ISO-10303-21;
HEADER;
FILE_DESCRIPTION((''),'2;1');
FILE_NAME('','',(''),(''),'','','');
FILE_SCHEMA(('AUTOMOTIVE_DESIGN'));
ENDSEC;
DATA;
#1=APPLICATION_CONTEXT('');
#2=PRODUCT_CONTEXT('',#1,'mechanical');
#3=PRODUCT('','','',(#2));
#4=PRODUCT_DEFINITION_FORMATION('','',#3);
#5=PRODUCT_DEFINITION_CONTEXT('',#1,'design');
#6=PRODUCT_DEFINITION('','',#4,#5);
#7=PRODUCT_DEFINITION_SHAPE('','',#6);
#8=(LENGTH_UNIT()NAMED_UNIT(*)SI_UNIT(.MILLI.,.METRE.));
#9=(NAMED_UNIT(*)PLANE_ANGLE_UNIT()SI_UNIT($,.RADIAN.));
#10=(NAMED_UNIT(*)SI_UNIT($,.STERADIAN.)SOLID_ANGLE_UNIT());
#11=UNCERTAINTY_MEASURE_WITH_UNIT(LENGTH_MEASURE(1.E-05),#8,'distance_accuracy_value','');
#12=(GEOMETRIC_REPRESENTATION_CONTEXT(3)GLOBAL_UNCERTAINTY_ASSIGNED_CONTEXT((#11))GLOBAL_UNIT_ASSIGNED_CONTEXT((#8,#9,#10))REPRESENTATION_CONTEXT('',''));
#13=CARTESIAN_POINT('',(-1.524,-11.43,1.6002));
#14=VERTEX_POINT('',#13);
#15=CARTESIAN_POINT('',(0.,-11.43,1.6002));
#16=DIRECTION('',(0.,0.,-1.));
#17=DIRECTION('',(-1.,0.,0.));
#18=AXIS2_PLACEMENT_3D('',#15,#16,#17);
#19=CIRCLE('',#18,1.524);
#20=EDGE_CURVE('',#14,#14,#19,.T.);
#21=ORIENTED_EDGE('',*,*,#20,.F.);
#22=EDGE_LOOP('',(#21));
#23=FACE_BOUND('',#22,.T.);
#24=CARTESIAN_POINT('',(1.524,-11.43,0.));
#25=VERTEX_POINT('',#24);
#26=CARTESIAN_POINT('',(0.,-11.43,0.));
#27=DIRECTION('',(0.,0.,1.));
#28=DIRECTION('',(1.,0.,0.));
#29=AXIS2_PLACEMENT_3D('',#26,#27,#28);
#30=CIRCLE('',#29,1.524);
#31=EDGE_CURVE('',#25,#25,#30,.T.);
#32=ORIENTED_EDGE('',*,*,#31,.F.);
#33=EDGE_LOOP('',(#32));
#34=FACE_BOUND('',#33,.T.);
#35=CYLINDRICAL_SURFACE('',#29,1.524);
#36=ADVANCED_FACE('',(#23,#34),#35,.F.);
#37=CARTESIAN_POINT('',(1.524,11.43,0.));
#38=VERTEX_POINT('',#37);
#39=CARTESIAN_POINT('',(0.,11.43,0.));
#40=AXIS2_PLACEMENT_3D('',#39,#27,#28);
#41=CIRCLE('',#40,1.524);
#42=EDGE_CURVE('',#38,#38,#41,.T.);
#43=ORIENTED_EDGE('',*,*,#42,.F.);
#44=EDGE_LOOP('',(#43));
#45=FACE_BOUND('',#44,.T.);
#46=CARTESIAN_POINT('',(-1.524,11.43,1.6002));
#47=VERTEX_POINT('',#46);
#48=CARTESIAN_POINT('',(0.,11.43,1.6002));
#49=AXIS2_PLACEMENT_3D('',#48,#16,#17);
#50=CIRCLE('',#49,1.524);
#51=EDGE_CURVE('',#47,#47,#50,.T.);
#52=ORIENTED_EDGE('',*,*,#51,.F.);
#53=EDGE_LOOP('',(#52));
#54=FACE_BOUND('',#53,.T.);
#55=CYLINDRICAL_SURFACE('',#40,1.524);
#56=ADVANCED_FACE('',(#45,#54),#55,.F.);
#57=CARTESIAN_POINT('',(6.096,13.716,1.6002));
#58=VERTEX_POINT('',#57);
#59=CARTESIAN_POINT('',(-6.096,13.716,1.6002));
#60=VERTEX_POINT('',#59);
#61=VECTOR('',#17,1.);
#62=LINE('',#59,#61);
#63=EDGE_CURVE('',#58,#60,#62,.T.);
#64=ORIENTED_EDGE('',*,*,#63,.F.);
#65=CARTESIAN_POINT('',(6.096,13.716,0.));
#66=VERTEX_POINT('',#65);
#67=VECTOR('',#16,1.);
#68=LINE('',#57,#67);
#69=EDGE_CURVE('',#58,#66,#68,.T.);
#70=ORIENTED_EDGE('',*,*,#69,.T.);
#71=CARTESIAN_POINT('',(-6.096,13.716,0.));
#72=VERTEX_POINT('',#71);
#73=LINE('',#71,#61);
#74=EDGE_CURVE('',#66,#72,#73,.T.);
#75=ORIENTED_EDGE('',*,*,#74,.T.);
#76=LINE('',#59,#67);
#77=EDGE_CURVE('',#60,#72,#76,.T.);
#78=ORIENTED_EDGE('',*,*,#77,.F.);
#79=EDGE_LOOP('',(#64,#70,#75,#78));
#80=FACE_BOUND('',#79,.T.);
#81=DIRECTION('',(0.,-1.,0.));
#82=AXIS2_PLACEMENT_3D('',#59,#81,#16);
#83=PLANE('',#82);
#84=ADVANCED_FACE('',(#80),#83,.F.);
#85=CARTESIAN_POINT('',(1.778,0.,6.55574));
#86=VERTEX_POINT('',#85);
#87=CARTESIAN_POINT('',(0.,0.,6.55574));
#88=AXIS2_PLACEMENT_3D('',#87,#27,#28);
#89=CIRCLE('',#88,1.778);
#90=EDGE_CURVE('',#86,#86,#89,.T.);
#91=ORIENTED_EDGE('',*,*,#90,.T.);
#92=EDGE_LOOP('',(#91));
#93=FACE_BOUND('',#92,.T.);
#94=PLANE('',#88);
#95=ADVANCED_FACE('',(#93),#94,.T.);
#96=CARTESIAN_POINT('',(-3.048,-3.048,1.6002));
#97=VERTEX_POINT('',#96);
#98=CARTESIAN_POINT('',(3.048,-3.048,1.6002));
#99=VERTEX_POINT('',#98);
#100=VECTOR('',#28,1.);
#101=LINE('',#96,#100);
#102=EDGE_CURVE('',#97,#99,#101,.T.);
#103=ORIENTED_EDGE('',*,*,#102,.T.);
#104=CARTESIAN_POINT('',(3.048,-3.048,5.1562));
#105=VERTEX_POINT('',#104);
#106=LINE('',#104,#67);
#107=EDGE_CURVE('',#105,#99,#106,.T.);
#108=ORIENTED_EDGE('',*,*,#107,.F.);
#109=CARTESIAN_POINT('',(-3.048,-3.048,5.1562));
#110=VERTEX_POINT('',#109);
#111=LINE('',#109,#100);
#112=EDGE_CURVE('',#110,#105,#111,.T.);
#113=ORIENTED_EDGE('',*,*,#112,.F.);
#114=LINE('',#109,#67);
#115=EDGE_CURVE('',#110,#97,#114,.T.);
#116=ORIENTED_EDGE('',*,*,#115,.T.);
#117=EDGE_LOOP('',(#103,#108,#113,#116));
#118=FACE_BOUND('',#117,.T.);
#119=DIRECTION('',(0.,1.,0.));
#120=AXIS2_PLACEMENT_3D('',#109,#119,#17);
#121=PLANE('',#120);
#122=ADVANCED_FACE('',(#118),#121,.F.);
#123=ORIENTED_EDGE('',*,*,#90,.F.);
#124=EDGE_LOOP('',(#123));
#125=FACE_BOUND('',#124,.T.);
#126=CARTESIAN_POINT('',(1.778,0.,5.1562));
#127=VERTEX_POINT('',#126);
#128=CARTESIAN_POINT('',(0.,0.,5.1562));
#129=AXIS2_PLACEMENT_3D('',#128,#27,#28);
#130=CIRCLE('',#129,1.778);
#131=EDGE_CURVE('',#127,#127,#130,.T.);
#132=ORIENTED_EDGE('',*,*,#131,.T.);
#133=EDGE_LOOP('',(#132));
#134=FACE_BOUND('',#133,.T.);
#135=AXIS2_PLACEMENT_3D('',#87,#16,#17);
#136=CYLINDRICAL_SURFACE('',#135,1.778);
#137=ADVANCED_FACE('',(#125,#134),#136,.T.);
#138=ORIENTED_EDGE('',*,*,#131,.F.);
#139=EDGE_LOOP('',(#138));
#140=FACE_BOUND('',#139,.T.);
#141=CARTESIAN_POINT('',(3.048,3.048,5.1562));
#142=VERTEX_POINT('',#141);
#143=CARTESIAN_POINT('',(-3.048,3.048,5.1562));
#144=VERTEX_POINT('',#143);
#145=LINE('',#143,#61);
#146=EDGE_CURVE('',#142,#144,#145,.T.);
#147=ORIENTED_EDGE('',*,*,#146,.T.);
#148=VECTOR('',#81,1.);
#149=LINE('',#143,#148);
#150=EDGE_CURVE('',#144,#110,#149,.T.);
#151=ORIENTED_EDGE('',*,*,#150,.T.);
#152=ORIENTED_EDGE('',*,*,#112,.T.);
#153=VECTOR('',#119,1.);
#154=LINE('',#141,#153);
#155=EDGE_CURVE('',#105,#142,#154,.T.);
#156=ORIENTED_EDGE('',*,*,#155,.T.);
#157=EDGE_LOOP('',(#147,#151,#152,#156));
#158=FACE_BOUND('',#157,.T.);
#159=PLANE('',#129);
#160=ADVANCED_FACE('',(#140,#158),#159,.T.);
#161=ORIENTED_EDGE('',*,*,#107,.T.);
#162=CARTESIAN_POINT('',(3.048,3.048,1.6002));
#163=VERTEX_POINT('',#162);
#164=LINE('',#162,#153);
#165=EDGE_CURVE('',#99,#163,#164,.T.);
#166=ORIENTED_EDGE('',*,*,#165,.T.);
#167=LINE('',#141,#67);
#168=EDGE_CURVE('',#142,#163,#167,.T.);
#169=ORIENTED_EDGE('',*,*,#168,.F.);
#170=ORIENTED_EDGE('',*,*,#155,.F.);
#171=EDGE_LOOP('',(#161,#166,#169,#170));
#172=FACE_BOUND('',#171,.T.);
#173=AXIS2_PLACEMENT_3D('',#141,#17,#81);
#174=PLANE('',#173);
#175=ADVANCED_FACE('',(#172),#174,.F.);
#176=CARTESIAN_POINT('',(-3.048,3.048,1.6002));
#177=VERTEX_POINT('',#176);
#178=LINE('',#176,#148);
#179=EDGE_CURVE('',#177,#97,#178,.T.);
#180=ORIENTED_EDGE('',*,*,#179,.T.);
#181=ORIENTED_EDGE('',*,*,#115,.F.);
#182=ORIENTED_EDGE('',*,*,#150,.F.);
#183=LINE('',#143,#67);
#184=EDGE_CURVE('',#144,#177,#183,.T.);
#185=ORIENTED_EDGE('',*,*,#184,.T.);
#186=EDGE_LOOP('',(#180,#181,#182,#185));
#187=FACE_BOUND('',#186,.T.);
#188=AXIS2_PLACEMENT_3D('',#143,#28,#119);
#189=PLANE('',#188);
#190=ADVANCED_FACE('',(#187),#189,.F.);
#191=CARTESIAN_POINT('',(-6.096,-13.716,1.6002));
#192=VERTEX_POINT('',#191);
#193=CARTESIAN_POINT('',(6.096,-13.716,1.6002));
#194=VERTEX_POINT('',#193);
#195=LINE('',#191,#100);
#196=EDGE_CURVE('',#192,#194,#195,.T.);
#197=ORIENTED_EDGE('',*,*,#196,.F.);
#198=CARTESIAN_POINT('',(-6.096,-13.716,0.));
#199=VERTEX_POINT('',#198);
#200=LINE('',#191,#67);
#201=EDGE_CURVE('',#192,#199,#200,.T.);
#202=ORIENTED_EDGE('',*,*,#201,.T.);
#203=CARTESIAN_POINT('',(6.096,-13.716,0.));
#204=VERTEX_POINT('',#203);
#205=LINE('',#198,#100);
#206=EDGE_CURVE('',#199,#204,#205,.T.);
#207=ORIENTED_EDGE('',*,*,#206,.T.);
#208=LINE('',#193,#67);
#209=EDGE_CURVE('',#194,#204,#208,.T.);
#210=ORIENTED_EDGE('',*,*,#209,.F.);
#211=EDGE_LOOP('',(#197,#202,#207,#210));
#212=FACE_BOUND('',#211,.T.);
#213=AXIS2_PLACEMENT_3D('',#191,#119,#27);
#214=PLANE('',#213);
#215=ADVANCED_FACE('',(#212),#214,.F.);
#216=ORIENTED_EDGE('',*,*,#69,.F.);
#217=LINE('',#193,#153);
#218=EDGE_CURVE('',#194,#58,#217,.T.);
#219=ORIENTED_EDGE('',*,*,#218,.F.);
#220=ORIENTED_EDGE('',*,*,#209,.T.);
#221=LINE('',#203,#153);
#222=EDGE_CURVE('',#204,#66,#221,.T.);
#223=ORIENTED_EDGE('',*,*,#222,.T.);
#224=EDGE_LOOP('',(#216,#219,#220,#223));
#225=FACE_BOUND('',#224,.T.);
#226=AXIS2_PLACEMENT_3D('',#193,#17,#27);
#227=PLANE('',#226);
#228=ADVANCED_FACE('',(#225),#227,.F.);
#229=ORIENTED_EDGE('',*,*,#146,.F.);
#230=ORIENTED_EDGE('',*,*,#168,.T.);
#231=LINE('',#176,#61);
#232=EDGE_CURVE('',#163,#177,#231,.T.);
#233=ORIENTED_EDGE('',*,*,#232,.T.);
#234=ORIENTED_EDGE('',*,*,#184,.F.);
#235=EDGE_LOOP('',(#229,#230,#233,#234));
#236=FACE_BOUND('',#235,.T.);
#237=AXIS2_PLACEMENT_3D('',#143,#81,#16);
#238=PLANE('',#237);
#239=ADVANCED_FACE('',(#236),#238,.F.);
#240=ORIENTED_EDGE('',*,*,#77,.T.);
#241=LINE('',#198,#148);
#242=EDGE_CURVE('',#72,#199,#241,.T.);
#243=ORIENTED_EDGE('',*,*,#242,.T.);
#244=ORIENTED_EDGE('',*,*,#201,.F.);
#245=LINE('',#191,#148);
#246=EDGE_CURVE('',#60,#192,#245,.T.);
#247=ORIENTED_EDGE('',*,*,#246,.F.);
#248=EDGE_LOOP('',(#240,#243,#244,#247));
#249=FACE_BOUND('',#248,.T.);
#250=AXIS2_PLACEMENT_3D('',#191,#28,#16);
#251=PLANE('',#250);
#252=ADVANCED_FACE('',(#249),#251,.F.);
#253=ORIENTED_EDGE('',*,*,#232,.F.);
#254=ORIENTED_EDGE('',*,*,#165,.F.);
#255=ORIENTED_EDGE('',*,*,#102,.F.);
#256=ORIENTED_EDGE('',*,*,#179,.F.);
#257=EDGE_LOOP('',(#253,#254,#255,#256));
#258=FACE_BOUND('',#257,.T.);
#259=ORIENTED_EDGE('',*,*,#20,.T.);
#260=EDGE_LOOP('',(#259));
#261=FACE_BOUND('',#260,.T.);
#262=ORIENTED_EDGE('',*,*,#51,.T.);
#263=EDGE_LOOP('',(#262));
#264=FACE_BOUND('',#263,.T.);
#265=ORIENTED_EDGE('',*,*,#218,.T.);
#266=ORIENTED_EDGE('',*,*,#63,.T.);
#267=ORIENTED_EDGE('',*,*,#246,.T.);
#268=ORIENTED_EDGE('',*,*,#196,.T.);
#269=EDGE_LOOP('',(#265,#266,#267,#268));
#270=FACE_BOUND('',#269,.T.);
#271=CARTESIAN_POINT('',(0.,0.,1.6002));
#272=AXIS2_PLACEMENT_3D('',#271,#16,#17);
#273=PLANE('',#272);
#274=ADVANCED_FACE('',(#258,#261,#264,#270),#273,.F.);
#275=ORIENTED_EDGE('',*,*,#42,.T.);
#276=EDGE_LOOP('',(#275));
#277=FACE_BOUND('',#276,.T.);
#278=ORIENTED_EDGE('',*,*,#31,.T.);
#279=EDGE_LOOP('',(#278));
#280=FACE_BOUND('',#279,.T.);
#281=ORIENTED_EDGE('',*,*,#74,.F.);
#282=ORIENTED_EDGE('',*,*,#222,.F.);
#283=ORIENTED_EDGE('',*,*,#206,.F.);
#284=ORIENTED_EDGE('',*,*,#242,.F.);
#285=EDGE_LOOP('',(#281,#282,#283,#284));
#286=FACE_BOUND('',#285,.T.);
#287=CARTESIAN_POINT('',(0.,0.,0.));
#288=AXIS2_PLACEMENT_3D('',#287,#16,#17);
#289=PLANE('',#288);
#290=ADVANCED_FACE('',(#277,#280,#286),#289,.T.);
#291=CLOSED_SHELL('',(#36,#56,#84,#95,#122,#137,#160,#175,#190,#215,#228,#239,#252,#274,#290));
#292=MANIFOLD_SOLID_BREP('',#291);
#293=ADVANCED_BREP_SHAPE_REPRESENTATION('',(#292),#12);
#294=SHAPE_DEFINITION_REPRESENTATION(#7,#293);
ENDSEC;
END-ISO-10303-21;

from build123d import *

# Parameters (mm, degrees)
SKETCH1_W               = 12.192
SKETCH1_H               = 27.432
BOSS_EXTRUDE1_DEPTH     = 1.6002
SKETCH2_W               = 6.096
SKETCH2_H               = 6.096
BOSS_EXTRUDE2_DEPTH     = 3.556
CUT_EXTRUDE1_DEPTH      = 16.425142074
CUT_EXTRUDE1_DEPTH_BACK = 16.425142074
SKETCH4_R               = 1.524
SKETCH5_R               = 1.778
BOSS_EXTRUDE3_DEPTH     = 1.39954


with BuildPart() as part:
    # Sketch1 → Boss-Extrude1 (new body)
    with BuildSketch(Plane.XY):
        Rectangle(SKETCH1_W, SKETCH1_H)
    extrude(amount=BOSS_EXTRUDE1_DEPTH)

    # Sketch2 → Boss-Extrude2 (add)
    with BuildSketch(Plane.XY.offset(1.6002)):
        Rectangle(SKETCH2_W, SKETCH2_H)
    extrude(amount=BOSS_EXTRUDE2_DEPTH)

    # Sketch4 → Cut-Extrude1 (cut, two sides: drawn at the far end of the back side and taken through both)
    with BuildSketch(Plane.XY.offset(1.6002).offset(-CUT_EXTRUDE1_DEPTH_BACK)):
        with Locations((0, 11.43)):
            Circle(SKETCH4_R)
        with Locations((0, -11.43)):
            Circle(SKETCH4_R)
    extrude(amount=CUT_EXTRUDE1_DEPTH + CUT_EXTRUDE1_DEPTH_BACK, mode=Mode.SUBTRACT)

    # Sketch5 → Boss-Extrude3 (add)
    with BuildSketch(Plane.XY.offset(5.1562)):
        Circle(SKETCH5_R)
    extrude(amount=BOSS_EXTRUDE3_DEPTH)


solid = part.part
